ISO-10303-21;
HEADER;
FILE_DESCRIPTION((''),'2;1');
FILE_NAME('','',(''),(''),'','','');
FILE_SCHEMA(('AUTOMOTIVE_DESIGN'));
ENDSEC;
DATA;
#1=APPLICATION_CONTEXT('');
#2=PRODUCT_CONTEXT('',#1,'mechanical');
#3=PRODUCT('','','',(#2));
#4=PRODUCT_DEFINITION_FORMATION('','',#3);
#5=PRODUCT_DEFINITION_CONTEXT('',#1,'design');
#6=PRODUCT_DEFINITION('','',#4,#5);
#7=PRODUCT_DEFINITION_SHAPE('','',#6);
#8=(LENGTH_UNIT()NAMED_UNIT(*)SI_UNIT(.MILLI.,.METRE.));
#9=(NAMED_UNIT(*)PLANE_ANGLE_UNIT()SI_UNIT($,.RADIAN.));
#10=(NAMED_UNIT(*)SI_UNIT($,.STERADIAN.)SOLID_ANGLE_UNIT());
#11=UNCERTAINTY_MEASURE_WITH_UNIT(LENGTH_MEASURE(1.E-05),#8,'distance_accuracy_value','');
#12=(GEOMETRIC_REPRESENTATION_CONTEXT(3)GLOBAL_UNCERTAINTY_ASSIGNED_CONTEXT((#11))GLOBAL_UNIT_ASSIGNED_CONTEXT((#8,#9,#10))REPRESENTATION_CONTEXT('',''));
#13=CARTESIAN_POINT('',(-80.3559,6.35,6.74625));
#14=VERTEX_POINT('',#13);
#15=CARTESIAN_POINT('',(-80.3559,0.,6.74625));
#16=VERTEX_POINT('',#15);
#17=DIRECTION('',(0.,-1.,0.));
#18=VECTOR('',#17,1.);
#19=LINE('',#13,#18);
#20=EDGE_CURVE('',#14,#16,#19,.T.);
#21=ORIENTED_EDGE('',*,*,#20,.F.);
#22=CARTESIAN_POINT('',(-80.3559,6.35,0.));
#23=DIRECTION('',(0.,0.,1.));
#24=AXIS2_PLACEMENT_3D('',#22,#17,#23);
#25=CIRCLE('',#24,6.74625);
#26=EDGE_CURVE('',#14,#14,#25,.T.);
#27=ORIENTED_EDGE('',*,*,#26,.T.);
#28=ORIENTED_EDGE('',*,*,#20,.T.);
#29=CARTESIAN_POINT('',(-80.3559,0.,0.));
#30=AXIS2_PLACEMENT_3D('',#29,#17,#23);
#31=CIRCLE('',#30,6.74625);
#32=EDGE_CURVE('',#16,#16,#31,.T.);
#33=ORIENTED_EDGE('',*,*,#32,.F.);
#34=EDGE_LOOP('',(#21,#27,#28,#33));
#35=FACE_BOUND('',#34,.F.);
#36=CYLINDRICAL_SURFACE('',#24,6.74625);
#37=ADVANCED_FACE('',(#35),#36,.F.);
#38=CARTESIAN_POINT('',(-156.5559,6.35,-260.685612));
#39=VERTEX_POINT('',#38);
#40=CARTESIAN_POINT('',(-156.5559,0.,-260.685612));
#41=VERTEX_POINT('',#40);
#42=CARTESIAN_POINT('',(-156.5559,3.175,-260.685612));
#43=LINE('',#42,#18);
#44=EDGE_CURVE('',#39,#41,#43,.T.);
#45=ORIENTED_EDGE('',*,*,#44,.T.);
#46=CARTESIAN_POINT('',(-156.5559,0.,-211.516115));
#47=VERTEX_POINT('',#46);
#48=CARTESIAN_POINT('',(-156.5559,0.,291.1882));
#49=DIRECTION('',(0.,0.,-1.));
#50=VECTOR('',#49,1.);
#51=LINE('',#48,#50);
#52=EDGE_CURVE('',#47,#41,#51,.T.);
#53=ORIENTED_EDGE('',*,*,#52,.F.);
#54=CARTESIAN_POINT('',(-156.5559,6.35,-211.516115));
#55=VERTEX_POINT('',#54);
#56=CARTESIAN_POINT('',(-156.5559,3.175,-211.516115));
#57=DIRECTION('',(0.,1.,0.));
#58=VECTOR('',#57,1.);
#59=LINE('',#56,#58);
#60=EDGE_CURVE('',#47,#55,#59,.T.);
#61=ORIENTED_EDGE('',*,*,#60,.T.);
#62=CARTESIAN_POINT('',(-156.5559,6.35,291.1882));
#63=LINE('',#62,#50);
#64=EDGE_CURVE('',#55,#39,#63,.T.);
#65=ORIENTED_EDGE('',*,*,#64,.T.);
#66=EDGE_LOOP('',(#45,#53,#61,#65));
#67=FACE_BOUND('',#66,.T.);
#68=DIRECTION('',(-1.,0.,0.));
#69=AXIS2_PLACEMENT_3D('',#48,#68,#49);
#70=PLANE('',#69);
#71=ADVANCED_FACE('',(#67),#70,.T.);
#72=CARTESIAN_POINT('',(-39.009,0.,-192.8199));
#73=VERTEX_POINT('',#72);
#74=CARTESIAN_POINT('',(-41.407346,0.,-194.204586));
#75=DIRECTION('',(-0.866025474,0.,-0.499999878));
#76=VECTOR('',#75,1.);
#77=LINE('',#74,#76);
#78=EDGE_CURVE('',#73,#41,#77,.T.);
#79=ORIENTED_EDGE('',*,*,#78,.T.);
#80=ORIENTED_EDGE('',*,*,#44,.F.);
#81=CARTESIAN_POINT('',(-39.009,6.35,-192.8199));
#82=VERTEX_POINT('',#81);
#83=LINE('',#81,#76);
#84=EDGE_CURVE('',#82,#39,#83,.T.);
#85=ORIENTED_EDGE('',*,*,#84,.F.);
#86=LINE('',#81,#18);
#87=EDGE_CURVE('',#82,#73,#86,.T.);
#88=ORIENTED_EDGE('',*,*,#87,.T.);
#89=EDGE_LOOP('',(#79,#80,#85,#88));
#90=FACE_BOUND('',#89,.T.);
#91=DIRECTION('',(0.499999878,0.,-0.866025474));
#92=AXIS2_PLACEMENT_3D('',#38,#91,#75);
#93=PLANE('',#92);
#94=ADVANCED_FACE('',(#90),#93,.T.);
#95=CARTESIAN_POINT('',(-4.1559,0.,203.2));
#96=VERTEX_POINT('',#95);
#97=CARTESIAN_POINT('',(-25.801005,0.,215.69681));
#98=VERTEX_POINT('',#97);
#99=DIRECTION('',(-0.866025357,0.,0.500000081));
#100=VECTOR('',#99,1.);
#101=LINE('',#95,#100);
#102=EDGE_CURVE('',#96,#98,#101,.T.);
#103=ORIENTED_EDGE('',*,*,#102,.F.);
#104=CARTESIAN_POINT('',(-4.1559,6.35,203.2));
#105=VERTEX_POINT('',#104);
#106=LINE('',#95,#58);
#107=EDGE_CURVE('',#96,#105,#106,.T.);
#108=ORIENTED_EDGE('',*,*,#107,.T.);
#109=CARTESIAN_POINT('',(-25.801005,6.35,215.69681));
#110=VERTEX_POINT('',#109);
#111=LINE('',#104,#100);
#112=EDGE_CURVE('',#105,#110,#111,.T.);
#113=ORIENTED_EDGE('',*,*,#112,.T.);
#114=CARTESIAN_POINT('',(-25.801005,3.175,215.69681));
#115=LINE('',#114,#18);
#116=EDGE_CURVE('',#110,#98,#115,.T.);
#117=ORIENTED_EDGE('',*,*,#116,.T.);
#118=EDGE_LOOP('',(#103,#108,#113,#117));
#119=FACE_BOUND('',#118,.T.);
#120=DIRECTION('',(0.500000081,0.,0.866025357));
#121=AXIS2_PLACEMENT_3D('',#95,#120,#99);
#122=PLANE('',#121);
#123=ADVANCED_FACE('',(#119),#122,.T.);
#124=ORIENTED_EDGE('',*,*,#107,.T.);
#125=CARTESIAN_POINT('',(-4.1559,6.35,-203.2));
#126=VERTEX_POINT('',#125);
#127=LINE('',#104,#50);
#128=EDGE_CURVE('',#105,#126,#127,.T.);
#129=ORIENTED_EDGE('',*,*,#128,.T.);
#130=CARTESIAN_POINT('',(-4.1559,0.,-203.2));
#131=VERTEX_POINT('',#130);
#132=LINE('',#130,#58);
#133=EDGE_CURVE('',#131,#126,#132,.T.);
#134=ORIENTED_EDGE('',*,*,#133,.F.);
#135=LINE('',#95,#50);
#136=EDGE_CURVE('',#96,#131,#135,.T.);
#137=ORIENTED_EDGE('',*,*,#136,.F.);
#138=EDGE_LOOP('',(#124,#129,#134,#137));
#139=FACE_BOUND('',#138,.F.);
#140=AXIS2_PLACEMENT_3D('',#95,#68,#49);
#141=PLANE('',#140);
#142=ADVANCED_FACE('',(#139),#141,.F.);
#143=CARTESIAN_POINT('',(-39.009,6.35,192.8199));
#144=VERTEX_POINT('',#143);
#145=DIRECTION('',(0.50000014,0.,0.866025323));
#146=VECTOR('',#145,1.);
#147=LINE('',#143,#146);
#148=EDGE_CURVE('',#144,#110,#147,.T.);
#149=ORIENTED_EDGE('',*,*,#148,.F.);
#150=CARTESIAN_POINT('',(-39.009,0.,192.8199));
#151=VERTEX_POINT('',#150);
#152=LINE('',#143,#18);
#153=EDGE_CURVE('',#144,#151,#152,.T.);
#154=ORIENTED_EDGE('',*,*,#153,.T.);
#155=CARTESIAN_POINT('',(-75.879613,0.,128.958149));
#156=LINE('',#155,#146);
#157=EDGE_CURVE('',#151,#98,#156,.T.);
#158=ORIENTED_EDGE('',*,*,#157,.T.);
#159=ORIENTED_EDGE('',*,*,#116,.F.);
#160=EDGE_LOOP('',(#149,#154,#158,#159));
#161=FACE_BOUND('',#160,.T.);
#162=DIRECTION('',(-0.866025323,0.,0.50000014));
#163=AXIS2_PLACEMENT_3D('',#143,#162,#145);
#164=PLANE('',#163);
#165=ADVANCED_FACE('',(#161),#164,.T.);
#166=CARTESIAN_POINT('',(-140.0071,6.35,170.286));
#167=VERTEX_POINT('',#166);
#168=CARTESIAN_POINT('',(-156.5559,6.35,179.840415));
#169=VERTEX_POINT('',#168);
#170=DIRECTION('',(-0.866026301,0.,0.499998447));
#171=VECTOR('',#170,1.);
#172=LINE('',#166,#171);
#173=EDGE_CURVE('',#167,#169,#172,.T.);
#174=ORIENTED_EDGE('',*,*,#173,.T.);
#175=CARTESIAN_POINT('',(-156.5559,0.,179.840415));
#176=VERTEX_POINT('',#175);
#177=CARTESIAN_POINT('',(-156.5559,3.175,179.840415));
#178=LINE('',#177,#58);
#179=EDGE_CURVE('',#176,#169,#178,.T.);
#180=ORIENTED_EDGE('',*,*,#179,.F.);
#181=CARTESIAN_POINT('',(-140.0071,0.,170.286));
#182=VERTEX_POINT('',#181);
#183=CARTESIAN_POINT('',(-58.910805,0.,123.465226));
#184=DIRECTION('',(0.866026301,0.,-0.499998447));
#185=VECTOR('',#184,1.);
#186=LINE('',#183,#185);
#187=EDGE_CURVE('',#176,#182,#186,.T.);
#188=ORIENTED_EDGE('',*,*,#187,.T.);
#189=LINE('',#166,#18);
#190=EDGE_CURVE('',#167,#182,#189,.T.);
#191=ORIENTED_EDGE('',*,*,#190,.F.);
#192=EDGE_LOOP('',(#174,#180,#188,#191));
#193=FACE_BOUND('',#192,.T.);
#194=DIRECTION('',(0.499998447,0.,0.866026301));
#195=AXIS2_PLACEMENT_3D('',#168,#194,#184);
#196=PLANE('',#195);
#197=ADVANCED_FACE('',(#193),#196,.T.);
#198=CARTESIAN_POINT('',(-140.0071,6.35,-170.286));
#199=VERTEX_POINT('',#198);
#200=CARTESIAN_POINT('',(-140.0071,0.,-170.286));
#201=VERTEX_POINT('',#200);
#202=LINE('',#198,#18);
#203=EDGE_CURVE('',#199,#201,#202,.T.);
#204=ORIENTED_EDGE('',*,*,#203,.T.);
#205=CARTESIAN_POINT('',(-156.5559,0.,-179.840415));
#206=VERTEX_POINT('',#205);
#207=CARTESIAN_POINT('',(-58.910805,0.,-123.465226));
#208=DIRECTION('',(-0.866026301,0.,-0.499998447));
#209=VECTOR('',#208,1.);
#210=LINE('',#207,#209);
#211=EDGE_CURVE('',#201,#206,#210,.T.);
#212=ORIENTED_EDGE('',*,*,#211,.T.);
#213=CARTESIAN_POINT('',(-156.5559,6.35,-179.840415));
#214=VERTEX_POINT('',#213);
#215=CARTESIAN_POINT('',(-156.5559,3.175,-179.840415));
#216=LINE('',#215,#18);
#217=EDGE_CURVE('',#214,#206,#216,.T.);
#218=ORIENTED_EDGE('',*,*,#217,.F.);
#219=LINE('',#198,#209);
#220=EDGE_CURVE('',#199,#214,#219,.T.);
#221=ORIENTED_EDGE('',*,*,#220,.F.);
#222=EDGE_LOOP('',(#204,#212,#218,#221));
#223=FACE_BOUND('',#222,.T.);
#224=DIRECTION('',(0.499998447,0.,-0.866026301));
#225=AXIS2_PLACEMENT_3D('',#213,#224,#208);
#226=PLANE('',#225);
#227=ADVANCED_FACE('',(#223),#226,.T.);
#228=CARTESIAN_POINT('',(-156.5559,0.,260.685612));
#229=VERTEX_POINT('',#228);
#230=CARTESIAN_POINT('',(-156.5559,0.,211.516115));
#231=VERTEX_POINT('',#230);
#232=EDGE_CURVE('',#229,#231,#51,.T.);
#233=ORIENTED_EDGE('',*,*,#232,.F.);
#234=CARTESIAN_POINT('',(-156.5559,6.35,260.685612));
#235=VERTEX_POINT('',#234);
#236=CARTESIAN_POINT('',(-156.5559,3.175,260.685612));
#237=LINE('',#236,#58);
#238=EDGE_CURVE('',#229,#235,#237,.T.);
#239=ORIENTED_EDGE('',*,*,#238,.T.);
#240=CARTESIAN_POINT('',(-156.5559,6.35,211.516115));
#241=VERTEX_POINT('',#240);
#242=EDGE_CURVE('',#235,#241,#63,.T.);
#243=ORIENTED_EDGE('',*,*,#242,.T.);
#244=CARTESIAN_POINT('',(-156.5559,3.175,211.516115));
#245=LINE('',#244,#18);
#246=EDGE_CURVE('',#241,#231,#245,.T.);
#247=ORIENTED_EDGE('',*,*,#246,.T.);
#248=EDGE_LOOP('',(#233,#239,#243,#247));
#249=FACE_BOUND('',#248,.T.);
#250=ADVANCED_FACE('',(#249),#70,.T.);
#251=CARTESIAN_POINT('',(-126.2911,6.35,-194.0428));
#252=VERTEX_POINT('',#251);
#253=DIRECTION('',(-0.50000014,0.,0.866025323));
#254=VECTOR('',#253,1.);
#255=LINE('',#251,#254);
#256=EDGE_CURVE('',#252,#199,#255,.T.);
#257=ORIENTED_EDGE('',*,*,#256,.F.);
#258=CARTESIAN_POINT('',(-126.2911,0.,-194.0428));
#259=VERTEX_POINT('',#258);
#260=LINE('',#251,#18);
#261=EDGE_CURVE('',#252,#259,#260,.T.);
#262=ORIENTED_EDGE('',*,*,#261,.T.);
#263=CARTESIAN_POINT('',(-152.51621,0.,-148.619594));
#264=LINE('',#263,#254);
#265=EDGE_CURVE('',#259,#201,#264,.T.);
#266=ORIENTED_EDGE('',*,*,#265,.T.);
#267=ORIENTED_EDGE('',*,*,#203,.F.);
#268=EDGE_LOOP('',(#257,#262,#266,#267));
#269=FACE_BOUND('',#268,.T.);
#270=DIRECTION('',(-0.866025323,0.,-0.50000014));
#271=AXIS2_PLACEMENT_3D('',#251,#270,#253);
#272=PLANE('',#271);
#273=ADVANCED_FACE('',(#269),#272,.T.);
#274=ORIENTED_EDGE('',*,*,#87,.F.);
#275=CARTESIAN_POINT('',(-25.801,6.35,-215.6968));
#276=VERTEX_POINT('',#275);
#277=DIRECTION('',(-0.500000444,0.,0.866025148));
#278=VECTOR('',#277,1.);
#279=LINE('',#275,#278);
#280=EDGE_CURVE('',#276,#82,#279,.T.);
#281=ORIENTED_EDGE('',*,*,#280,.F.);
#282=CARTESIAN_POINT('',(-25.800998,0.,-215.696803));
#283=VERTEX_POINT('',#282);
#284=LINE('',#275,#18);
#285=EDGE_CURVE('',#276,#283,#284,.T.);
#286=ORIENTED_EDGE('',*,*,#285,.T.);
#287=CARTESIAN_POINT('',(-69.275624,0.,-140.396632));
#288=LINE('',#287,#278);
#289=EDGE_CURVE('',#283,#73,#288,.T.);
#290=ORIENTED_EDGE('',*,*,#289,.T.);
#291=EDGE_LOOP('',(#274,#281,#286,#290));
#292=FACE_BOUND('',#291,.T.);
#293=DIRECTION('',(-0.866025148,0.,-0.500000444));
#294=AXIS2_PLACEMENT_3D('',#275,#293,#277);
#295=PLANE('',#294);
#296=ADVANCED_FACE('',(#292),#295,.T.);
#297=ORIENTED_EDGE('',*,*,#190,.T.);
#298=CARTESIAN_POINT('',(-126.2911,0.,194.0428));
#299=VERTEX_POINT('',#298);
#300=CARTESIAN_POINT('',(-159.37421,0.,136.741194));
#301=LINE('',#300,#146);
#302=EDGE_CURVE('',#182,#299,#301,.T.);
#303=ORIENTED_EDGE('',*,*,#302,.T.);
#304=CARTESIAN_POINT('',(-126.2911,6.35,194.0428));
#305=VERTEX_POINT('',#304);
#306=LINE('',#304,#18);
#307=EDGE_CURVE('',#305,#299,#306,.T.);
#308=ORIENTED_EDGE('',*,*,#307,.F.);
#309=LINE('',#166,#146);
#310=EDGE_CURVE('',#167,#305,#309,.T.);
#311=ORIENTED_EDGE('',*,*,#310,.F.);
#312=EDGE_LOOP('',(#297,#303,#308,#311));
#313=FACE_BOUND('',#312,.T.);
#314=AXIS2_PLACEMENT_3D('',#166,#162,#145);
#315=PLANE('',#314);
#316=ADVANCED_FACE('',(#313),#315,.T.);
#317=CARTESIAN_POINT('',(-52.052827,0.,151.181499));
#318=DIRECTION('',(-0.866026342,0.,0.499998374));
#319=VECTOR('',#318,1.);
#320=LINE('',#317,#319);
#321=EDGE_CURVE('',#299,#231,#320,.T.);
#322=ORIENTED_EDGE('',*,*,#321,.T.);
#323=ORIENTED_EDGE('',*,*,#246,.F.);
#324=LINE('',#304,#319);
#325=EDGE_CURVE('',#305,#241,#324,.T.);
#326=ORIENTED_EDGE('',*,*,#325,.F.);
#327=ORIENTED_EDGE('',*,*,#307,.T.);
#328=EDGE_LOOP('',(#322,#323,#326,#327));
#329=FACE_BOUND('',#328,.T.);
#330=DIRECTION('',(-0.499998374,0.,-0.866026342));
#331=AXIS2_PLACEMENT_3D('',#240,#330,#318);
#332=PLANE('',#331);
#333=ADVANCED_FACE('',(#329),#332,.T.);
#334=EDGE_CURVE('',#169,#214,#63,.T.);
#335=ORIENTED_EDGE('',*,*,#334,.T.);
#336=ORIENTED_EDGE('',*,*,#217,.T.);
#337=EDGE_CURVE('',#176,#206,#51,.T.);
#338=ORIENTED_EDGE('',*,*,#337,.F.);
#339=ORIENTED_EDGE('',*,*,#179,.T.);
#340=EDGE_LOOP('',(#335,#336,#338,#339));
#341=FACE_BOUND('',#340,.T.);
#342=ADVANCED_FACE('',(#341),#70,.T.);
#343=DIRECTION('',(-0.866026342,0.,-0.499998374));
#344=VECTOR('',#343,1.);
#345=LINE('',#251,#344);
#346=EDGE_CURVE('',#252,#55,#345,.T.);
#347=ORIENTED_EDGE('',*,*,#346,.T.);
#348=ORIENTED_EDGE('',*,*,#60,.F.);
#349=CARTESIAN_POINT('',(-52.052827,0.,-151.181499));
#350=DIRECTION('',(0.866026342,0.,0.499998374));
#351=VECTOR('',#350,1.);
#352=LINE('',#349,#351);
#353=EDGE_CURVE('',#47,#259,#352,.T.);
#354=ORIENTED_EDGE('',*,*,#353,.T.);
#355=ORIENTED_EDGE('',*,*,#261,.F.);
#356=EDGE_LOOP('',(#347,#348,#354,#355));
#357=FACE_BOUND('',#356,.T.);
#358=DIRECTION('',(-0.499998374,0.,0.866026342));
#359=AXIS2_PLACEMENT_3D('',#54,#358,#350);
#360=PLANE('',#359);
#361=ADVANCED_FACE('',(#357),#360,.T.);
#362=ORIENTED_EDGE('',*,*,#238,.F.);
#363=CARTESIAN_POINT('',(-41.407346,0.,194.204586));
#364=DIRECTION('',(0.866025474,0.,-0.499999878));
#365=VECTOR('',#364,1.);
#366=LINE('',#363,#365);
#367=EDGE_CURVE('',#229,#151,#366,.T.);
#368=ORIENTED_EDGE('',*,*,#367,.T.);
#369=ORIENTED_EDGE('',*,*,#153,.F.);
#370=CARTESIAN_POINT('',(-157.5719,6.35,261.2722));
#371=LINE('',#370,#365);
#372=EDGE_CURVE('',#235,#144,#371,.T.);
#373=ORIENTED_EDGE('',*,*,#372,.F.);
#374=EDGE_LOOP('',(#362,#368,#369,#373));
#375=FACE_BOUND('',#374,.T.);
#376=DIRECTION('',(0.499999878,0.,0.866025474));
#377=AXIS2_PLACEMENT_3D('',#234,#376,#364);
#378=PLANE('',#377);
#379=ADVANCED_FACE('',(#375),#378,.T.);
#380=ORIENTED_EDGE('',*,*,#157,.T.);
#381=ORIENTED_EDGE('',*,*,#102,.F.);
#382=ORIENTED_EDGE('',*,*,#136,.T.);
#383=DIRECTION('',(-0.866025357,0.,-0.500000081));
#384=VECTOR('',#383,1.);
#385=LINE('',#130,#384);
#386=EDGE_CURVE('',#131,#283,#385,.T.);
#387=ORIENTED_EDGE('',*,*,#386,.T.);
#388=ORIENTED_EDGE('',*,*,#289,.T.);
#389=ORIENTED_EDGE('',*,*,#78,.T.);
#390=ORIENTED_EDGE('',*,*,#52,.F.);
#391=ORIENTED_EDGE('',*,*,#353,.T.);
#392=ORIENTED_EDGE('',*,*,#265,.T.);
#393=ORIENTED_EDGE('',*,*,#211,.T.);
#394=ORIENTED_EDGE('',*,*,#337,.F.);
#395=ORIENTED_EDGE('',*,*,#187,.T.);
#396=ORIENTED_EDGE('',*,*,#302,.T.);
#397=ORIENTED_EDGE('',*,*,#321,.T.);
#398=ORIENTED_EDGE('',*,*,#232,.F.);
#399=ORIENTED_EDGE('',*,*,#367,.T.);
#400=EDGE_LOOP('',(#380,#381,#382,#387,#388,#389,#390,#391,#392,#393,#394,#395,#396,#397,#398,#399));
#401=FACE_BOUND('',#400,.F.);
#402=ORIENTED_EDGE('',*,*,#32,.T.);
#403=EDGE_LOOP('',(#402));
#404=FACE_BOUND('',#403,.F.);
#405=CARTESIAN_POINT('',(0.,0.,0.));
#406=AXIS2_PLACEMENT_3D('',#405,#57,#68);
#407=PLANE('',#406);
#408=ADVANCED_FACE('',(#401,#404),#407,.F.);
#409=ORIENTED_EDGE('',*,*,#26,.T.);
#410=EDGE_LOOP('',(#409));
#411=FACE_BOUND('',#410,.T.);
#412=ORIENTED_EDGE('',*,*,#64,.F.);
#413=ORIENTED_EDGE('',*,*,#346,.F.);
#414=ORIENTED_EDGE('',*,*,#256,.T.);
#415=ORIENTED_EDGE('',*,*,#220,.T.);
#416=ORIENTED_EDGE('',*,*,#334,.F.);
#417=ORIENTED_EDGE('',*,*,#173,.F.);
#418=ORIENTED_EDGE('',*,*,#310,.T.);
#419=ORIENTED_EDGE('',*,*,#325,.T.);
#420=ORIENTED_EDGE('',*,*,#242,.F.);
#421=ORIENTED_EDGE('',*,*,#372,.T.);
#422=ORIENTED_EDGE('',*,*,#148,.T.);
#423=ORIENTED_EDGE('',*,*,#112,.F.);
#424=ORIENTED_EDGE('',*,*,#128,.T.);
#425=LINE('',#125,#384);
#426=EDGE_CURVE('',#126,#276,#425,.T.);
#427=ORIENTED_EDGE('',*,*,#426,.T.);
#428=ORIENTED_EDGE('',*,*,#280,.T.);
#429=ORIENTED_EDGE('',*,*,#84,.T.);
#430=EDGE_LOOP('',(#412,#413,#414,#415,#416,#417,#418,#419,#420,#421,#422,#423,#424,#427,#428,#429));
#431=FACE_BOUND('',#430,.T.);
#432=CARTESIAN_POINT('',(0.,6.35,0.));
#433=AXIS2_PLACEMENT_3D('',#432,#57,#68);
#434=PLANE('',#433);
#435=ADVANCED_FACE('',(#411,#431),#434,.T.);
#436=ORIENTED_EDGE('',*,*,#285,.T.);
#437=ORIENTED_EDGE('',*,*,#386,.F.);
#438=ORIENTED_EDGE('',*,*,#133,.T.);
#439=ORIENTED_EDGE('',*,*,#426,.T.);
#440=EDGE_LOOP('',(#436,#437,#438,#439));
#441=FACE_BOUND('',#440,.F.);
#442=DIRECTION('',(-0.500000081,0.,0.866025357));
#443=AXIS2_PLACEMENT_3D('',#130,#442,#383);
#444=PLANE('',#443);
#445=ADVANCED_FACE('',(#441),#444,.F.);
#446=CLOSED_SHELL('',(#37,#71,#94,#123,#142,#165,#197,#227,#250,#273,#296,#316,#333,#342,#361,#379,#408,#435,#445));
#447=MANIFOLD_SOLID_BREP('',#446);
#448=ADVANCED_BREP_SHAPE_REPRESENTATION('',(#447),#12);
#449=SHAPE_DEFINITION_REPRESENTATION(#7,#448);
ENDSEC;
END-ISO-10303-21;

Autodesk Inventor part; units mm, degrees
ref_plane "YZ Plane" through (0, 0, 0) normal (1, 0, 0) x (0, 1, 0)
ref_plane "XZ Plane" through (0, 0, 0) normal (0, 1, 0) x (-1, 0, 0)
ref_plane "XY Plane" through (0, 0, 0) normal (0, 0, 1) x (1, 0, 0)
sketch "Sketch1" plane through (0, 0, 0) normal (0, 1, 0) x (-1, 0, 0)
  line L0 (4.1559, 203.2) -> (4.1559, -203.2)
  line L1 (4.1559, -203.2) -> (156.5559, -291.1882)
  line L2 (4.1559, 203.2) -> (156.5559, 291.1882)
  line L3 (4.1559, 203.2) -> (180.1322, 203.2) construction
  line L4 (156.5559, 291.1882) -> (156.5559, -291.1882)
  point P0 (0, 0)
  point P1 (4.1559, 0)
  dimension "d0" = 120
  dimension "d1" = 30
  dimension "d2" = 406.4
  dimension "d5" = 152.4
extrude "Extrusion1" add sketch "Sketch1" along normal blind 6.35
sketch "Sketch4" plane through (0, 6.35, 0) normal (0, 1, 0) x (1, 0, 0)
  line L0 (-4.1559, -203.2) -> (-4.1559, 203.2) projected
  point P0 (0, 0)
  point P1 (-80.3559, 0)
  dimension "d12" = 76.2
  dimension "d13" = 203.2
hole "Hole1" at (-80.3559, 6.35, 0) direction (0, -1, 0) diameter 13.4925 end through all
sketch "Sketch5" plane through (0, 6.35, 0) normal (0, 1, 0) x (1, 0, 0)
  line L0 (-1271.2154, -905.4078) -> (-39.3808, -194.2078) projected
  line L1 (-1258.5154, -927.4048) -> (-1271.2154, -905.4078) projected
  line L2 (-1258.5154, -927.4048) -> (-26.6808, -216.2048) projected
  line L3 (-39.3808, -194.2078) -> (-26.6808, -216.2048) projected
  circle A0 centre (-1049.6741, -711.3284) radius 3.3782 projected
  circle A1 centre (-248.9471, -249.0284) radius 3.3782 projected
  circle A2 centre (-318.2291, -289.0284) radius 3.3782 projected
  circle A3 centre (-1118.9562, -751.3284) radius 3.3782 projected
  line L4 (-127.679, -193.6709) -> (-1227.5312, -828.6709) projected
  line L5 (-140.379, -171.6739) -> (-127.679, -193.6709) projected
  line L6 (-140.379, -171.6739) -> (-1240.2312, -806.6739) projected
  line L7 (-1227.5312, -828.6709) -> (-1240.2312, -806.6739) projected
  circle A4 centre (-318.2291, 289.0284) radius 3.3782 projected
  circle A5 centre (-1118.9562, 751.3284) radius 3.3782 projected
  circle A6 centre (-1049.6741, 711.3284) radius 3.3782 projected
  circle A7 centre (-248.9471, 249.0284) radius 3.3782 projected
  line L8 (-1227.5312, 828.6709) -> (-127.679, 193.6709) projected
  line L9 (-1240.2312, 806.6739) -> (-1227.5312, 828.6709) projected
  line L10 (-1240.2312, 806.6739) -> (-140.379, 171.6739) projected
  line L11 (-127.679, 193.6709) -> (-140.379, 171.6739) projected
  line L12 (-39.3808, 194.2078) -> (-1271.2154, 905.4078) projected
  line L13 (-26.6808, 216.2048) -> (-39.3808, 194.2078) projected
  line L14 (-26.6808, 216.2048) -> (-1258.5154, 927.4048) projected
  line L15 (-1271.2154, 905.4078) -> (-1258.5154, 927.4048) projected
  line L16 (-156.5559, -291.1882) -> (-26.6808, -216.2048)
  line L17 (-39.3808, -194.2078) -> (-156.5559, -261.8588)
  line L18 (-156.5559, 291.1882) -> (-156.5559, -291.1882) projected
  line L19 (-156.5559, -261.8588) -> (-156.5559, -291.1882)
  line L20 (-156.5559, -210.343) -> (-127.679, -193.6709)
  line L21 (-127.679, -193.6709) -> (-140.379, -171.6739)
  line L22 (-140.379, -171.6739) -> (-156.5559, -181.0136)
  line L23 (-156.5559, -181.0136) -> (-156.5559, -210.343)
  line L24 (-39.3808, -194.2078) -> (-26.6808, -216.2048)
  line L25 (-156.5559, 181.0136) -> (-140.379, 171.6739)
  line L26 (-140.379, 171.6739) -> (-127.679, 193.6709)
  line L27 (-127.679, 193.6709) -> (-156.5559, 210.343)
  line L28 (-156.5559, 210.343) -> (-156.5559, 181.0136)
  line L29 (-156.5559, 261.8588) -> (-39.3808, 194.2078)
  line L30 (-39.3808, 194.2078) -> (-26.6808, 216.2048)
  line L31 (-4.1559, 203.2) -> (-156.5559, 291.1882) projected
  line L32 (-26.6808, 216.2048) -> (-156.5559, 291.1882)
  line L33 (-156.5559, 291.1882) -> (-156.5559, 261.8588)
  line L34 (-156.5559, 291.1882) -> (-26.6808, 216.2048)
  line L35 (-25.293, -216.5767) -> (-157.5719, -292.9479)
  line L36 (-157.5719, -292.9479) -> (-157.5719, -261.2722)
  line L37 (-157.5719, -261.2722) -> (-39.009, -192.8199)
  line L38 (-39.009, -192.8199) -> (-25.293, -216.5767)
  line L39 (-126.2911, -194.0428) -> (-157.5719, -212.1027)
  line L40 (-157.5719, -212.1027) -> (-157.5719, -180.427)
  line L41 (-157.5719, -180.427) -> (-140.0071, -170.286)
  line L42 (-140.0071, -170.286) -> (-126.2911, -194.0428)
  line L43 (-140.0071, 170.286) -> (-157.5719, 180.427)
  line L44 (-157.5719, 180.427) -> (-157.5719, 212.1027)
  line L45 (-157.5719, 212.1027) -> (-126.2911, 194.0428)
  line L46 (-126.2911, 194.0428) -> (-140.0071, 170.286)
  line L47 (-25.801, 215.6968) -> (-39.009, 192.8199)
  line L48 (-39.009, 192.8199) -> (-157.5719, 261.2722)
  line L49 (-157.5719, 261.2722) -> (-157.5719, 291.1882)
  line L50 (-25.801, 215.6968) -> (-156.5559, 291.1882)
  line L51 (-157.5719, 291.1882) -> (-157.5719, 291.7748)
  line L52 (-157.5719, 291.7748) -> (-156.5559, 291.1882)
  point P0 (0, 0)
  dimension "d22" = 1.016
  dimension "d23" = 1.016
  dimension "d24" = 1.016
  dimension "d25" = 1.016
extrude "Extrusion3" cut sketch "Sketch5" against normal blind 25.4 contours L18 L37 L38 L35 L36 L2 L3 L0 | L18 L2 L36 L0 | L0 L3 L2 L18 | L0 L36 L37 L18 | L36 L2 L1 L0 | L48 L49 L12 L18 | L18 L12 L13 L31 L47 L48 | L43 L44 L10 L18 | L18 L10 L11 L8 L45 L46 L43 | L39 L40 L4 L18 | L18 L4 L5 L6 L41 L42 L39 | L18 L6 L5 L4 | L4 L40 L6 L18 | L4 L7 L6 L40 | L6 L40 L41 L18 | L18 L8 L11 L10 | L10 L44 L8 L18 | L10 L9 L8 L44 | L8 L44 L45 L18 | L18 L14 L13 L12 | L12 L49 L51 L14 L18 | A0 | A1 | A2 | A3 | A4 | A5 | A6 | A7
properties part number "Triangle End"
